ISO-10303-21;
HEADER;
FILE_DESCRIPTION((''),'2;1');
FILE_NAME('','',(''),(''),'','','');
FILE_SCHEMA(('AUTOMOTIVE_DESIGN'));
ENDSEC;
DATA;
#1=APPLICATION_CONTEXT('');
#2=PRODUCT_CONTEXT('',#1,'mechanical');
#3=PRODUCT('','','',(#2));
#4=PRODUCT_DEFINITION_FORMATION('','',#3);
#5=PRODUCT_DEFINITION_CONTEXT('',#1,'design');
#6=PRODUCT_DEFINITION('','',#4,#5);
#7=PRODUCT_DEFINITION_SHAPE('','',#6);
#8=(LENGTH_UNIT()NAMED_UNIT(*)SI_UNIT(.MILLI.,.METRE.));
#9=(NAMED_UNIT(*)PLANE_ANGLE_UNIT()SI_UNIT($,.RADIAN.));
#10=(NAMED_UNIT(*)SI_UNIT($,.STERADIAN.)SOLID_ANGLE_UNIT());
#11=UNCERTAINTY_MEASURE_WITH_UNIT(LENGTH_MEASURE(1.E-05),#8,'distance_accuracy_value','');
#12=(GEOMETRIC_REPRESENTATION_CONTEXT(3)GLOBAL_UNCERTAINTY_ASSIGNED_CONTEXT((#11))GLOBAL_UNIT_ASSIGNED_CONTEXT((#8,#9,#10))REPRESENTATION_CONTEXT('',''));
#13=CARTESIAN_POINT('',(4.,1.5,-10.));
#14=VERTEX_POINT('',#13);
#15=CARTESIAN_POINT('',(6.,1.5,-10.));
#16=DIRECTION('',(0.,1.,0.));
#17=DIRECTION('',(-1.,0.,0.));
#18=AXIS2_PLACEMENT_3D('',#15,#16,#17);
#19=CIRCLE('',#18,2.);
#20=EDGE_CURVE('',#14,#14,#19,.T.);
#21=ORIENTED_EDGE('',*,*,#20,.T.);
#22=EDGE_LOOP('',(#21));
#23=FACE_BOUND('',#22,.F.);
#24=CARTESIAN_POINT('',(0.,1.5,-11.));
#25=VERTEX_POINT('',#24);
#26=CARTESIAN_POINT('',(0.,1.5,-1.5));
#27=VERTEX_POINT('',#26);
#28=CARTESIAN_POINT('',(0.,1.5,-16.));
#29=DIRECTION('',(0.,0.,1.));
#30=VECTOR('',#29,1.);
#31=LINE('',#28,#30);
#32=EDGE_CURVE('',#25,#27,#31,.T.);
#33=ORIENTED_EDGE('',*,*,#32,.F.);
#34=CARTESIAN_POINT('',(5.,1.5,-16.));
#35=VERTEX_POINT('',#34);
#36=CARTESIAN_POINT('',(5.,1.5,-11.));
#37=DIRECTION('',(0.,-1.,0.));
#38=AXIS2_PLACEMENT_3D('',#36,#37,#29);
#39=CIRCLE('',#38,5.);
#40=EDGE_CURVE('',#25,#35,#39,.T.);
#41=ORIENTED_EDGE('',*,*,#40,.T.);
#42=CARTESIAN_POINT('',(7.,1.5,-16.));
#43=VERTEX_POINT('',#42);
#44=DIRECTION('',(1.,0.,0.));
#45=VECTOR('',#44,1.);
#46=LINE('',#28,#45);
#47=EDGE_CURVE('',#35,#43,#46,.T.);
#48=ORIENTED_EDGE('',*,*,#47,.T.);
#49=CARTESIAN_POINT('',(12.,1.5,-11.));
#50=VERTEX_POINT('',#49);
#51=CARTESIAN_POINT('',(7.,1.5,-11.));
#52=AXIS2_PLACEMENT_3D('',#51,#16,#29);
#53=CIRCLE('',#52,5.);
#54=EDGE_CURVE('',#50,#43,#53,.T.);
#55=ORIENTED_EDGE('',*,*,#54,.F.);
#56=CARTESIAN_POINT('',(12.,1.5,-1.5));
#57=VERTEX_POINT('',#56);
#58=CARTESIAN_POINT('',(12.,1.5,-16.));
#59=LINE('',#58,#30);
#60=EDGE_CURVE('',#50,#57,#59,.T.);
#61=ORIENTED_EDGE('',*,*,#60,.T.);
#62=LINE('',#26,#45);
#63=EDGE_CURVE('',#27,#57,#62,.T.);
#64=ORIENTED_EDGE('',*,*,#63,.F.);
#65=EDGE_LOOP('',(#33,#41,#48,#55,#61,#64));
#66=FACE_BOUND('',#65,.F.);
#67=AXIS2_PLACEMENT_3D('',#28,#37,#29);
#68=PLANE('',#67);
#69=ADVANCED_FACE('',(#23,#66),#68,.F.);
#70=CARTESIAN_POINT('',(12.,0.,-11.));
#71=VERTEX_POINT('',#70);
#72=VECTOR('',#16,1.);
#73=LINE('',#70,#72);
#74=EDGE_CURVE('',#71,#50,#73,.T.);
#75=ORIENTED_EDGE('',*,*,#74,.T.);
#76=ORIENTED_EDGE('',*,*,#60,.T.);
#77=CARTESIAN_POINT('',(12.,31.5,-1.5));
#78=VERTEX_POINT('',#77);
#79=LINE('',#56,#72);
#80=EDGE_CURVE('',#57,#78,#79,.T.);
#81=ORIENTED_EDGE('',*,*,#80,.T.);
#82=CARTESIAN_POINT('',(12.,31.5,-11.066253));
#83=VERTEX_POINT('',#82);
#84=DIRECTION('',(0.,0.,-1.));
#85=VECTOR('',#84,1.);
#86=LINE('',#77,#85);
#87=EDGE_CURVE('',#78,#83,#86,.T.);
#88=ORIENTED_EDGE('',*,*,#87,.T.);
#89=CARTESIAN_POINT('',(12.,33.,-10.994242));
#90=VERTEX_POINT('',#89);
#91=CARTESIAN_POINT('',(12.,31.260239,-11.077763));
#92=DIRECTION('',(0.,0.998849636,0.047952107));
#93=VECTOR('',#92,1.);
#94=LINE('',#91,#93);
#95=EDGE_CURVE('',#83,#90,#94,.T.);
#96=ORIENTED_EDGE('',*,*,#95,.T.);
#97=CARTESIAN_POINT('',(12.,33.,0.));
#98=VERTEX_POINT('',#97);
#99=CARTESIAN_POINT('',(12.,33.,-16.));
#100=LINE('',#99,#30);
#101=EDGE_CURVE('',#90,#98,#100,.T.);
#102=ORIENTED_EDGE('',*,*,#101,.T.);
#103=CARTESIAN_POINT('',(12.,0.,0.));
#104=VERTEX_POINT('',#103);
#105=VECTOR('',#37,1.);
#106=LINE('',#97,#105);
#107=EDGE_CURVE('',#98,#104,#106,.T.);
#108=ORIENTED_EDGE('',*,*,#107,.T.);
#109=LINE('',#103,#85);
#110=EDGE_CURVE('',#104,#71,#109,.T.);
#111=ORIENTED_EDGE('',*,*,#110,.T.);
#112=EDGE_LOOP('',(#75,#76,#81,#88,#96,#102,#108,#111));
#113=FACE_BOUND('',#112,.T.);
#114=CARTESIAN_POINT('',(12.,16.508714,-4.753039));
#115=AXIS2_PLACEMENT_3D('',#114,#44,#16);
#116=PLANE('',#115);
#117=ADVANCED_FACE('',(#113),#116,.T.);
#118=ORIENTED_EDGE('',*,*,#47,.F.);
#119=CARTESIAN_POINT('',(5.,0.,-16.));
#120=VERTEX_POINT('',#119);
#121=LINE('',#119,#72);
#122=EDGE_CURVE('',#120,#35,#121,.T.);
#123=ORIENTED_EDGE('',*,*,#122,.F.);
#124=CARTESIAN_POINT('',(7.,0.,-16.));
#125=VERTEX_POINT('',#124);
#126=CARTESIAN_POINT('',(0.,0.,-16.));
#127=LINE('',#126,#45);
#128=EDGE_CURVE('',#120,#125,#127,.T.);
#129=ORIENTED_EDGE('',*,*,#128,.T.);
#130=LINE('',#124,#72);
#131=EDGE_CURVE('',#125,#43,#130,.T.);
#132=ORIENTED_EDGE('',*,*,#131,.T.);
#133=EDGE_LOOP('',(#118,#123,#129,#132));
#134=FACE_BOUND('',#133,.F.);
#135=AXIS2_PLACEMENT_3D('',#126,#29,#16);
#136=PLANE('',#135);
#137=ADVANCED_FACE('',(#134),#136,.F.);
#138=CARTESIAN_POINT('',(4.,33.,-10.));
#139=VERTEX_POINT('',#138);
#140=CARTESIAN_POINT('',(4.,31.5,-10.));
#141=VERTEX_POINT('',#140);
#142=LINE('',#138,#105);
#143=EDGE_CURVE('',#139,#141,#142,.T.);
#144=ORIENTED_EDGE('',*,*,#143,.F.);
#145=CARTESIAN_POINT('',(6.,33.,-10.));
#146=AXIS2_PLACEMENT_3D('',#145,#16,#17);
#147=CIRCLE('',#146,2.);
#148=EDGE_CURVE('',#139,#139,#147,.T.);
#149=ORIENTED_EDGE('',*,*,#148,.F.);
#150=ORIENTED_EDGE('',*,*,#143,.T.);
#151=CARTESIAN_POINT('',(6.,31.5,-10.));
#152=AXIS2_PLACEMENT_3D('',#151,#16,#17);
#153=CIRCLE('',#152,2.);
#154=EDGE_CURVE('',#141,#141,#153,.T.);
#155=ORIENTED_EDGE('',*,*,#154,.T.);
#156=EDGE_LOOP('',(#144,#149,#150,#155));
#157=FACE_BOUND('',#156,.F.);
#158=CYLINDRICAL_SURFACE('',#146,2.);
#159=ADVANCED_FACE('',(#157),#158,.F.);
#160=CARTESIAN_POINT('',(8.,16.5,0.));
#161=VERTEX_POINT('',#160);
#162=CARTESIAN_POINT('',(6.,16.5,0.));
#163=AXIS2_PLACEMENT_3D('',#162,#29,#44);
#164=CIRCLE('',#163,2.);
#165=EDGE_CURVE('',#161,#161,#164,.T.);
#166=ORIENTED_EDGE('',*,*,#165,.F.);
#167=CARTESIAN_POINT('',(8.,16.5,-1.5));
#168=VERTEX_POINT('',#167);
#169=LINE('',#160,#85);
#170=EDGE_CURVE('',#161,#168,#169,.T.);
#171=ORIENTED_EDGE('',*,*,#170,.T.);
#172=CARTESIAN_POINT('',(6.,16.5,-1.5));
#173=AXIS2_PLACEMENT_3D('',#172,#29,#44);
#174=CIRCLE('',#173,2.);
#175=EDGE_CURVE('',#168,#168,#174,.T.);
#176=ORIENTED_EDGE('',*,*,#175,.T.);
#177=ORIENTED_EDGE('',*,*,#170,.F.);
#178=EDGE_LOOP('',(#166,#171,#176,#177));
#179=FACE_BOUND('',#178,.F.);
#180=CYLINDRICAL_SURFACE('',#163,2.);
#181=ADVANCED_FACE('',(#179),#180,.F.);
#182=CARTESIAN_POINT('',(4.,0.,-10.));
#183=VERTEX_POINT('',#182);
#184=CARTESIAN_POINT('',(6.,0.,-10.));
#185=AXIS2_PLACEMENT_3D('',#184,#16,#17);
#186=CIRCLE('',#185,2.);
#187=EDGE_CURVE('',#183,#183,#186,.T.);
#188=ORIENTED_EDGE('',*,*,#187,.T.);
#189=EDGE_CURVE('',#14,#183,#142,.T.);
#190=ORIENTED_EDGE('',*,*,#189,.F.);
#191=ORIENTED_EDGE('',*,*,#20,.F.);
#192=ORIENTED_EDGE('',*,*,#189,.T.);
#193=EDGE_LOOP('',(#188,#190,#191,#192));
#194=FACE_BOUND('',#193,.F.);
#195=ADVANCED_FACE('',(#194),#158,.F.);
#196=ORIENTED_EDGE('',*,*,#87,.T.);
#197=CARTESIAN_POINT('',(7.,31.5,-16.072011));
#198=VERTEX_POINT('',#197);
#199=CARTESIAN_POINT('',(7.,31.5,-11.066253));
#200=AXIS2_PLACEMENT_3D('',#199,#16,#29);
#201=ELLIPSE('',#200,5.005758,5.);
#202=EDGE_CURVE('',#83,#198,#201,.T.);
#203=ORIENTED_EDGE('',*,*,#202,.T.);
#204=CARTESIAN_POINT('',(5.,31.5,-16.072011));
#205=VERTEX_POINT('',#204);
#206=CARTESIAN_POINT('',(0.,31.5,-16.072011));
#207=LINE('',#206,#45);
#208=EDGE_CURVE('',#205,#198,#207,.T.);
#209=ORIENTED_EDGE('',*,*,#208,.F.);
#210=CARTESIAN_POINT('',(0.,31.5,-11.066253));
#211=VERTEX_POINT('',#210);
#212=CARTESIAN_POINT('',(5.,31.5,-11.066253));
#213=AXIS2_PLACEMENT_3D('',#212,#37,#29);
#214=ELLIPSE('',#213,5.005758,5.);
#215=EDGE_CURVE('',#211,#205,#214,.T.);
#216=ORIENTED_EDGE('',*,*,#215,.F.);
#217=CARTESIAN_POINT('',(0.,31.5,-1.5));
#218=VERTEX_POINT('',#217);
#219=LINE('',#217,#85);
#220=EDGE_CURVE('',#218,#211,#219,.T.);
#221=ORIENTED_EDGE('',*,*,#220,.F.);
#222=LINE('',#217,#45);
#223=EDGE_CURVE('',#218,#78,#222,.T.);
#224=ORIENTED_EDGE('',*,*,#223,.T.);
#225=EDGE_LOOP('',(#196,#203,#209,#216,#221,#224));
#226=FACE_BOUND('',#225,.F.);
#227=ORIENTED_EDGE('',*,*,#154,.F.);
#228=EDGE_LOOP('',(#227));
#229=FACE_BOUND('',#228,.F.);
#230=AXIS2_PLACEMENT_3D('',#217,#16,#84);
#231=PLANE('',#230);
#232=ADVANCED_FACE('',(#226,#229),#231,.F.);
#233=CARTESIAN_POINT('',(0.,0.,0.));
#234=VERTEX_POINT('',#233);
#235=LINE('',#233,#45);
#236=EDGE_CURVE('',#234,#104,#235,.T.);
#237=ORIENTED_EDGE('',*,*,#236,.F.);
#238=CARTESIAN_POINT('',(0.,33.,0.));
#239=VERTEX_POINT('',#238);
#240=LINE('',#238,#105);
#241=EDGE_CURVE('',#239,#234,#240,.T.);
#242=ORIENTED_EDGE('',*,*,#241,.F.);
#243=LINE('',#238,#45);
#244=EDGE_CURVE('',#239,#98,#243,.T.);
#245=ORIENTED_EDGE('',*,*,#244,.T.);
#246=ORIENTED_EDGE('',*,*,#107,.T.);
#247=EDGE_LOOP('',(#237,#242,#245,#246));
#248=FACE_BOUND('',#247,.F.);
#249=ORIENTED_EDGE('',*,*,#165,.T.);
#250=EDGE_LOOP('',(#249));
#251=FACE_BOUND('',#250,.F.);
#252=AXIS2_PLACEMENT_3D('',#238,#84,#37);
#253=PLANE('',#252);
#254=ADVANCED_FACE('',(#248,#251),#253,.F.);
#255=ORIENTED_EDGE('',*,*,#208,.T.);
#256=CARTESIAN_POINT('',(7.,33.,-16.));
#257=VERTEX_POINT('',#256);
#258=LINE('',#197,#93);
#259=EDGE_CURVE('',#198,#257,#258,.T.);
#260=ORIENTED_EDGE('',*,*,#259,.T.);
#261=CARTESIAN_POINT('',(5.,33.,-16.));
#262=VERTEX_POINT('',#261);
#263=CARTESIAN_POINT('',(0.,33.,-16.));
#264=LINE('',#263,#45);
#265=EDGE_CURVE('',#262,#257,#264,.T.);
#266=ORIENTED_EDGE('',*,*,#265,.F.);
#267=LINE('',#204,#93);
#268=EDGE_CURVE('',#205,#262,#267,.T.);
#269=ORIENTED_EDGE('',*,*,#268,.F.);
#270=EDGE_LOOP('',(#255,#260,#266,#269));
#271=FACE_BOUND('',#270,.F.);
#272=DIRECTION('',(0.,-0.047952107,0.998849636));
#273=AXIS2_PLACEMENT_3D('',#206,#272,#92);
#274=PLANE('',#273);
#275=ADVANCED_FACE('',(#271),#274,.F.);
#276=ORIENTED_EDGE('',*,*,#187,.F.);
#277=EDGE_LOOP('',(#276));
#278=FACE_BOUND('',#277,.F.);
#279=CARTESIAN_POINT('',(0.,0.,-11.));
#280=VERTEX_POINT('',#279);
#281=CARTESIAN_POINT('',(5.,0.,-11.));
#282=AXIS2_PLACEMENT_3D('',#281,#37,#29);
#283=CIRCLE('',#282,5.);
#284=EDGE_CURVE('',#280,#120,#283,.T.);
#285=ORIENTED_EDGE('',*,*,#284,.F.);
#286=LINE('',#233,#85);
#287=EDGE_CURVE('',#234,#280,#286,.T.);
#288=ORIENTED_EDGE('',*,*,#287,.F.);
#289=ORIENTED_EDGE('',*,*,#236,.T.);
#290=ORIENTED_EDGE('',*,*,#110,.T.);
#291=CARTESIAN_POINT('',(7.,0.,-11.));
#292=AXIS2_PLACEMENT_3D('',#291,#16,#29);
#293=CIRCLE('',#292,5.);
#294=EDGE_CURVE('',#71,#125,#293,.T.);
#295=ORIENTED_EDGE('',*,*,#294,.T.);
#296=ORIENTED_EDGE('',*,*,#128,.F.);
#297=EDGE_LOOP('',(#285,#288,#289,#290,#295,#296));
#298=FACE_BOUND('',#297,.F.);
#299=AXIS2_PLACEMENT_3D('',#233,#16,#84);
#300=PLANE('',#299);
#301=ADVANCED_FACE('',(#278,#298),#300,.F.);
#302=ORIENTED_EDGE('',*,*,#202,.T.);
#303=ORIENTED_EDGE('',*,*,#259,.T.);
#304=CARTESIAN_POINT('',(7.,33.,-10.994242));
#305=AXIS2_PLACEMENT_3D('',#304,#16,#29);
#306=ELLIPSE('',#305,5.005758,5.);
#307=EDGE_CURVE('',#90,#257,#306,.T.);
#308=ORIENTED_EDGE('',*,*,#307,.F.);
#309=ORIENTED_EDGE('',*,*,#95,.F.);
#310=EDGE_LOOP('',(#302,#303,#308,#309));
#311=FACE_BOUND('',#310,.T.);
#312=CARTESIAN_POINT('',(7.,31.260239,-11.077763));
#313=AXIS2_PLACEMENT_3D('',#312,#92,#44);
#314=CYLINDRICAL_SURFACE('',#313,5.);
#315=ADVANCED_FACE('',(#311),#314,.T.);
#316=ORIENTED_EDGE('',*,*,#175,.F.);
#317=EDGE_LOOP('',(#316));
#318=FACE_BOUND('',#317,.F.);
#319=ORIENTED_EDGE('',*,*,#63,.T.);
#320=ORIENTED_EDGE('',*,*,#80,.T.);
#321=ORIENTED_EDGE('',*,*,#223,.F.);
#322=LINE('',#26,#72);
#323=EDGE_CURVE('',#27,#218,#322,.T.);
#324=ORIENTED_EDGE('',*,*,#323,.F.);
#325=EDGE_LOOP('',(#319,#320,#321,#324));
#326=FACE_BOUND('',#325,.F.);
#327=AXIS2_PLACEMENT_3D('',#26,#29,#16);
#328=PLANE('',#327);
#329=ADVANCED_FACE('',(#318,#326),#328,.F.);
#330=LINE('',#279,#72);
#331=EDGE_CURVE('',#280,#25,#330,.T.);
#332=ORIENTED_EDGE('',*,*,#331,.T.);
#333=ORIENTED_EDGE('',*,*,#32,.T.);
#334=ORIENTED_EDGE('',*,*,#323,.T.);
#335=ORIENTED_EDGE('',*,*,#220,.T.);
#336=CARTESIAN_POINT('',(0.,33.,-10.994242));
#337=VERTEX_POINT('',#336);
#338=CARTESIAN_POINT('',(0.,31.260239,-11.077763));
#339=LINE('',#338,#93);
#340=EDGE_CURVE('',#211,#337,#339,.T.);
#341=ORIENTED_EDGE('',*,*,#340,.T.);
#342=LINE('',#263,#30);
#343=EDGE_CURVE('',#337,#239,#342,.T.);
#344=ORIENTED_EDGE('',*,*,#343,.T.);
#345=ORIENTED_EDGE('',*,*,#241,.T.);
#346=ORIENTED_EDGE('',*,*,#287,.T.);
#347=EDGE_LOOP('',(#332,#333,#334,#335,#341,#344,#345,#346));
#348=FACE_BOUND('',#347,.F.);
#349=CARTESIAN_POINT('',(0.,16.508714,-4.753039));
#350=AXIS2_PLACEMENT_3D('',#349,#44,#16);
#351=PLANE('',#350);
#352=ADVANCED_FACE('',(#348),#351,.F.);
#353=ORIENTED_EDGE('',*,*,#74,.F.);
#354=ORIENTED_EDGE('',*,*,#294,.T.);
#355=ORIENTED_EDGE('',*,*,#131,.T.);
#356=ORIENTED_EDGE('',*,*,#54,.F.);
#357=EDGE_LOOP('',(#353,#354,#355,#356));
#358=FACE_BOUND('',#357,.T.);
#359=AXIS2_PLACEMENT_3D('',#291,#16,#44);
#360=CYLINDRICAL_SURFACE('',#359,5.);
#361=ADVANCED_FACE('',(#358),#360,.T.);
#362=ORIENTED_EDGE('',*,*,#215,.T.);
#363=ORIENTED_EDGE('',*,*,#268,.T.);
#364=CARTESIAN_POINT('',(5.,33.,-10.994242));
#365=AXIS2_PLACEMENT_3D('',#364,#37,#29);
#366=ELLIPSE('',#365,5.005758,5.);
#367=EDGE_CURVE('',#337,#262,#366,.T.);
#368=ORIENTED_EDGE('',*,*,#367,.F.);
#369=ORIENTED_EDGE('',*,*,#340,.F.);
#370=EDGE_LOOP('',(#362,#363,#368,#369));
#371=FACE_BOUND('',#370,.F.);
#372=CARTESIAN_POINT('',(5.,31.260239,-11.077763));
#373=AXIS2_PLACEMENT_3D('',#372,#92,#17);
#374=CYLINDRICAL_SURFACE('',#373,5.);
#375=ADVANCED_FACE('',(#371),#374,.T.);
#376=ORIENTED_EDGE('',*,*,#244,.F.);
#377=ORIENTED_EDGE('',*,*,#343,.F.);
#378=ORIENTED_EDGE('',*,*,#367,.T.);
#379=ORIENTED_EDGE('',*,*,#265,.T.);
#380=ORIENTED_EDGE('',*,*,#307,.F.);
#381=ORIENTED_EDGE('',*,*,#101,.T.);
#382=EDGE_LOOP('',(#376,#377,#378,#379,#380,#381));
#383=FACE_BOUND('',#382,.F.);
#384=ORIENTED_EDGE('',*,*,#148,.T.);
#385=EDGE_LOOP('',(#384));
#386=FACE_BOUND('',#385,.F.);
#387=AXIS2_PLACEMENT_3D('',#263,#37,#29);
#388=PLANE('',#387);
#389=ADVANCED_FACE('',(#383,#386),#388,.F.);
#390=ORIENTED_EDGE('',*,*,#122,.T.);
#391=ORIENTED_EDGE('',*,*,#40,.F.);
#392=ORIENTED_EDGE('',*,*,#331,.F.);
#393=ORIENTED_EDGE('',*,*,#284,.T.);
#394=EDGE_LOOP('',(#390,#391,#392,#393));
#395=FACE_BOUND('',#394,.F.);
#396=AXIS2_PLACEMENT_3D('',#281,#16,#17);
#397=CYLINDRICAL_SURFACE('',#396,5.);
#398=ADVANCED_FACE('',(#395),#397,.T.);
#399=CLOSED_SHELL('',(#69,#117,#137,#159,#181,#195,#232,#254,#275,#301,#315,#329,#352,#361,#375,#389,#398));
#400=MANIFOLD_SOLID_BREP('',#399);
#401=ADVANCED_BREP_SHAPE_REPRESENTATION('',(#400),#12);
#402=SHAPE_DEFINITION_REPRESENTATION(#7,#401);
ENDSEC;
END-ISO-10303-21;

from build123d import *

# Parameters (mm, degrees)
F1_DEPTH = 12
F2_R     = 2
F3_DEPTH = 25
F4_R     = 2
F5_DEPTH = 45
F6_R     = 5


with BuildPart() as f1:
    # F0 (on Right) → F1 (new body)
    with BuildSketch(Plane.YZ):
        Polygon((33, 0), (0, 0), (0, -16), (1.5, -16), (1.5, -1.5), (31.5, -1.5), (31.5, -16.072011), (33, -16), align=None)
    extrude(amount=F1_DEPTH)

    # F2 (on face) → F3 (cut)
    with BuildSketch(Plane.XY):
        with Locations((6, 16.5)):
            Circle(F2_R)
    extrude(amount=-F3_DEPTH, mode=Mode.SUBTRACT)

    # F4 (on face) → F5 (cut)
    with BuildSketch(Plane(origin=(0, 33, 0), x_dir=(-1, 0, 0), z_dir=(0, 1, 0))):
        with Locations((-6, -10)):
            Circle(F4_R)
    extrude(amount=-F5_DEPTH, mode=Mode.SUBTRACT)

    # F6
    f6_edges = [f1.edges().sort_by_distance(p)[0] for p in [
        (0, 32.25, -16.036005),
        (12, 32.25, -16.036005),
        (12, 0.75, -16),
        (0, 0.75, -16),
    ]]
    fillet(f6_edges, radius=F6_R)


solid = f1.part
